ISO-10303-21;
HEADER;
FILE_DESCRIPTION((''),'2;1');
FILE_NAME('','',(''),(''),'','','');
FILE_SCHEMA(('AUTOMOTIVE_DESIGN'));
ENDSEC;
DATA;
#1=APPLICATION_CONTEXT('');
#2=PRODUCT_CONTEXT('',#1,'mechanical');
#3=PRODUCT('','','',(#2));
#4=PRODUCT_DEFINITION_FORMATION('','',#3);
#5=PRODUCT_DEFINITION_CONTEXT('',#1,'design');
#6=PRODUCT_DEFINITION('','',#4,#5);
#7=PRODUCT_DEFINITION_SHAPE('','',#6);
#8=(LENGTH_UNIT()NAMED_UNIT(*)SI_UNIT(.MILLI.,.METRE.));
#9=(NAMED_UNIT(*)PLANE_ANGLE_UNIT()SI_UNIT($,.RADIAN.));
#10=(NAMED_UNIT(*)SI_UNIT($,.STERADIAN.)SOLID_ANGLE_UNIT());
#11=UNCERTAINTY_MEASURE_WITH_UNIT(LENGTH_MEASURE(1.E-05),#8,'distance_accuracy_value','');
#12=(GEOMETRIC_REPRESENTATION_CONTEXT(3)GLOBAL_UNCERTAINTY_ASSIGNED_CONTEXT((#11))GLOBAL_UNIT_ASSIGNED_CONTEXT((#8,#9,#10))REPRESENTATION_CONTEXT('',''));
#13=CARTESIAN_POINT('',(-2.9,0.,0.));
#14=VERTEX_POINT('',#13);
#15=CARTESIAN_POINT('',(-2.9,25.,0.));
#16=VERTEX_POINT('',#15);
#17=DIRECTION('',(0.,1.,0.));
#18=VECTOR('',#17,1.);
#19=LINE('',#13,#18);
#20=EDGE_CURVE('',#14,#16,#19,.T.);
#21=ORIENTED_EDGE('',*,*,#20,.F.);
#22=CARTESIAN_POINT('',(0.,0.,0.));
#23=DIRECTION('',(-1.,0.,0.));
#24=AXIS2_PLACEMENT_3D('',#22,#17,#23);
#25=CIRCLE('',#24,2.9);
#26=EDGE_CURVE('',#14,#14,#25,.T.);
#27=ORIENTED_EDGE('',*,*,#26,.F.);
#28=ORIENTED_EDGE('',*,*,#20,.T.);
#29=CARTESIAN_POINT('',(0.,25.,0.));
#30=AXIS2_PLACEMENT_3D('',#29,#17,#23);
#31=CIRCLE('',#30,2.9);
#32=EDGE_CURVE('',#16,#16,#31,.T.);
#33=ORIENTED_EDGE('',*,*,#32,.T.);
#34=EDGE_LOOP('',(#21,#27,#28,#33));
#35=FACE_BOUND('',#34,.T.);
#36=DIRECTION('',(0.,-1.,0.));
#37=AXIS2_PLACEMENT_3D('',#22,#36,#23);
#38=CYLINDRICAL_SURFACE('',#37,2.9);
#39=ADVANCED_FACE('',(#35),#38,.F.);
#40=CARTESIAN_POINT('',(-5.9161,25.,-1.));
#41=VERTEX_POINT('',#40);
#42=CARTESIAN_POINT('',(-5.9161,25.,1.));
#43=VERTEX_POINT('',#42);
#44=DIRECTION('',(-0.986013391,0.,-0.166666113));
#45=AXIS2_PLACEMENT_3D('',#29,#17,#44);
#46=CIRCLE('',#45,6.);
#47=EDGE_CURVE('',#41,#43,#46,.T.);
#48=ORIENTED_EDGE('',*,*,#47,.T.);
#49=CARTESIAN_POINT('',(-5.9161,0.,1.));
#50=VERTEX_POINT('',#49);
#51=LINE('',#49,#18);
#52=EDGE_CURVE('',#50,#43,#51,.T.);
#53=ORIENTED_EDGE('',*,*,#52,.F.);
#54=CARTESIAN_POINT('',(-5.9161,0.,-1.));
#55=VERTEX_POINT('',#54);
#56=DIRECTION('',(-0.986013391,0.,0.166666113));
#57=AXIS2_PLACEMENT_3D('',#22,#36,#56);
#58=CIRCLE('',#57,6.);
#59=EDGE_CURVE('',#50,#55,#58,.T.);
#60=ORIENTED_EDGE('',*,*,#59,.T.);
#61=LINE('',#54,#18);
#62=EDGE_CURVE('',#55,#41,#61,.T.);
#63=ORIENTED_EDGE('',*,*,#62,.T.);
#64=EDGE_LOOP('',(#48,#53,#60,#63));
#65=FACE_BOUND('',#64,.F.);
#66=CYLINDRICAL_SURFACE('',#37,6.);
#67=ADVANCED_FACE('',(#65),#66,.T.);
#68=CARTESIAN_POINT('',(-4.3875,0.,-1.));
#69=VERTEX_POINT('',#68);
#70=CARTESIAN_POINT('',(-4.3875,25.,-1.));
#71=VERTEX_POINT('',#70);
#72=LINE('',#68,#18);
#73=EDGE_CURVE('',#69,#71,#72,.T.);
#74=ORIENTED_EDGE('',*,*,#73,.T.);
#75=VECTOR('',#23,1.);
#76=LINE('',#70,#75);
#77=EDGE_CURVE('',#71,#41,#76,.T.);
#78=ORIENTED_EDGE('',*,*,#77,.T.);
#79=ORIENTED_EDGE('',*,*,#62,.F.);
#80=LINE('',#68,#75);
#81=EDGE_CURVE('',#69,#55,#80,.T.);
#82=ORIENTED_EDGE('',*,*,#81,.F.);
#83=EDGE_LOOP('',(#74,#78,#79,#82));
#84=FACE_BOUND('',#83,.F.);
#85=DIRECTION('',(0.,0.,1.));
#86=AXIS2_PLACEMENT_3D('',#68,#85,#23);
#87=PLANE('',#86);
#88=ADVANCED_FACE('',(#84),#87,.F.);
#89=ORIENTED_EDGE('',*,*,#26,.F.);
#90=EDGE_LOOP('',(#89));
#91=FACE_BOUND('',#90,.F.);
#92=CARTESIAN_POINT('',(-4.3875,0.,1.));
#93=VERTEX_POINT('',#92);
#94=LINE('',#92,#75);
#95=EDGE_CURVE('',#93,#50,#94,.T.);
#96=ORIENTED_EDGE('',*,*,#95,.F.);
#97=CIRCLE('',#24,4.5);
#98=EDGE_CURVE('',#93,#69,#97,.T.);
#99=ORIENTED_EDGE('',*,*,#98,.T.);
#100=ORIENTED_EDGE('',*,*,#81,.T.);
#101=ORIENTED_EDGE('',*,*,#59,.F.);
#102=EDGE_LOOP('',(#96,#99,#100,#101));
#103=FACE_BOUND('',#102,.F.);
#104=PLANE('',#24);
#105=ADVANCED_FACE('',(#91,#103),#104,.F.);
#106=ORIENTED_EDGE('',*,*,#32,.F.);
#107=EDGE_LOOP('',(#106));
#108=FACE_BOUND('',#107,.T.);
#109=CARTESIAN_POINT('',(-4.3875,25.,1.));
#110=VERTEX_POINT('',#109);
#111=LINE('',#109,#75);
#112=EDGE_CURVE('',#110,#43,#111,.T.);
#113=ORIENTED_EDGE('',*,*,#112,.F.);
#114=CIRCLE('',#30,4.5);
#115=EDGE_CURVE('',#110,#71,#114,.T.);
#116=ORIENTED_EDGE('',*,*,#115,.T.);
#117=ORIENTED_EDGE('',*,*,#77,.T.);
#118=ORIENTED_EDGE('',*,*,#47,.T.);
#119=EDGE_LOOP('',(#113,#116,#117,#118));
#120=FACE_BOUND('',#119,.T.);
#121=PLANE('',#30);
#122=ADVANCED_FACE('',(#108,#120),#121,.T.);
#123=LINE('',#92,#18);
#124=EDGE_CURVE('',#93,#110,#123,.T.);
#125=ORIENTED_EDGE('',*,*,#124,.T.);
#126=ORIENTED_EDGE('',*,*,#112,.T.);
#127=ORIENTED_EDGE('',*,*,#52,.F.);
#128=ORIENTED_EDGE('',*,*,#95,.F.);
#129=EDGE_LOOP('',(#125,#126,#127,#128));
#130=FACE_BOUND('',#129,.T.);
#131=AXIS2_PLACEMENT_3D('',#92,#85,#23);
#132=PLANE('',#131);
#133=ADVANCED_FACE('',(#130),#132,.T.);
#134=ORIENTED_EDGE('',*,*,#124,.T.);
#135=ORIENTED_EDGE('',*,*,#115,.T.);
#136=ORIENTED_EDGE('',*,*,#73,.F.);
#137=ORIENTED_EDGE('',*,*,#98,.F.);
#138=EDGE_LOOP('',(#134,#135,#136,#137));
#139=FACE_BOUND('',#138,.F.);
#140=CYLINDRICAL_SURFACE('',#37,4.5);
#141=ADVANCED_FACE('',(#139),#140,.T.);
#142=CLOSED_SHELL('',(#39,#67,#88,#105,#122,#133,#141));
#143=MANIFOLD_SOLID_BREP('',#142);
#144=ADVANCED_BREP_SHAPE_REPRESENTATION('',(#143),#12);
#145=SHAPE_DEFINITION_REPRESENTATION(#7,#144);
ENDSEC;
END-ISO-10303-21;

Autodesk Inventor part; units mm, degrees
ref_plane "YZ Plane" through (0, 0, 0) normal (1, 0, 0) x (0, 1, 0)
ref_plane "XZ Plane" through (0, 0, 0) normal (0, 1, 0) x (-1, 0, 0)
ref_plane "XY Plane" through (0, 0, 0) normal (0, 0, 1) x (1, 0, 0)
sketch "Sketch1" plane through (0, 0, 0) normal (0, 1, 0) x (-1, 0, 0)
  circle A0 centre (0, 0) radius 4.5
  circle A1 centre (0, 0) radius 2.9
  circle A2 centre (0, 0) radius 6
  line L0 (4.3875, -1) -> (5.9161, -1)
  line L1 (4.3875, 1) -> (5.9161, 1)
  dimension "d0" = 0
  dimension "d1" = 0
  dimension "d2" = 9
  dimension "d3" = 5.8
  dimension "d4" = 12
  dimension "d5" = 1
  dimension "d6" = 1
extrude "Extrusion1" add sketch "Sketch1" along normal blind 25 contours A0 | A0 L1 A2 L0 picked at (4.9667, 0.558)
properties part number "Servo Adapter"
